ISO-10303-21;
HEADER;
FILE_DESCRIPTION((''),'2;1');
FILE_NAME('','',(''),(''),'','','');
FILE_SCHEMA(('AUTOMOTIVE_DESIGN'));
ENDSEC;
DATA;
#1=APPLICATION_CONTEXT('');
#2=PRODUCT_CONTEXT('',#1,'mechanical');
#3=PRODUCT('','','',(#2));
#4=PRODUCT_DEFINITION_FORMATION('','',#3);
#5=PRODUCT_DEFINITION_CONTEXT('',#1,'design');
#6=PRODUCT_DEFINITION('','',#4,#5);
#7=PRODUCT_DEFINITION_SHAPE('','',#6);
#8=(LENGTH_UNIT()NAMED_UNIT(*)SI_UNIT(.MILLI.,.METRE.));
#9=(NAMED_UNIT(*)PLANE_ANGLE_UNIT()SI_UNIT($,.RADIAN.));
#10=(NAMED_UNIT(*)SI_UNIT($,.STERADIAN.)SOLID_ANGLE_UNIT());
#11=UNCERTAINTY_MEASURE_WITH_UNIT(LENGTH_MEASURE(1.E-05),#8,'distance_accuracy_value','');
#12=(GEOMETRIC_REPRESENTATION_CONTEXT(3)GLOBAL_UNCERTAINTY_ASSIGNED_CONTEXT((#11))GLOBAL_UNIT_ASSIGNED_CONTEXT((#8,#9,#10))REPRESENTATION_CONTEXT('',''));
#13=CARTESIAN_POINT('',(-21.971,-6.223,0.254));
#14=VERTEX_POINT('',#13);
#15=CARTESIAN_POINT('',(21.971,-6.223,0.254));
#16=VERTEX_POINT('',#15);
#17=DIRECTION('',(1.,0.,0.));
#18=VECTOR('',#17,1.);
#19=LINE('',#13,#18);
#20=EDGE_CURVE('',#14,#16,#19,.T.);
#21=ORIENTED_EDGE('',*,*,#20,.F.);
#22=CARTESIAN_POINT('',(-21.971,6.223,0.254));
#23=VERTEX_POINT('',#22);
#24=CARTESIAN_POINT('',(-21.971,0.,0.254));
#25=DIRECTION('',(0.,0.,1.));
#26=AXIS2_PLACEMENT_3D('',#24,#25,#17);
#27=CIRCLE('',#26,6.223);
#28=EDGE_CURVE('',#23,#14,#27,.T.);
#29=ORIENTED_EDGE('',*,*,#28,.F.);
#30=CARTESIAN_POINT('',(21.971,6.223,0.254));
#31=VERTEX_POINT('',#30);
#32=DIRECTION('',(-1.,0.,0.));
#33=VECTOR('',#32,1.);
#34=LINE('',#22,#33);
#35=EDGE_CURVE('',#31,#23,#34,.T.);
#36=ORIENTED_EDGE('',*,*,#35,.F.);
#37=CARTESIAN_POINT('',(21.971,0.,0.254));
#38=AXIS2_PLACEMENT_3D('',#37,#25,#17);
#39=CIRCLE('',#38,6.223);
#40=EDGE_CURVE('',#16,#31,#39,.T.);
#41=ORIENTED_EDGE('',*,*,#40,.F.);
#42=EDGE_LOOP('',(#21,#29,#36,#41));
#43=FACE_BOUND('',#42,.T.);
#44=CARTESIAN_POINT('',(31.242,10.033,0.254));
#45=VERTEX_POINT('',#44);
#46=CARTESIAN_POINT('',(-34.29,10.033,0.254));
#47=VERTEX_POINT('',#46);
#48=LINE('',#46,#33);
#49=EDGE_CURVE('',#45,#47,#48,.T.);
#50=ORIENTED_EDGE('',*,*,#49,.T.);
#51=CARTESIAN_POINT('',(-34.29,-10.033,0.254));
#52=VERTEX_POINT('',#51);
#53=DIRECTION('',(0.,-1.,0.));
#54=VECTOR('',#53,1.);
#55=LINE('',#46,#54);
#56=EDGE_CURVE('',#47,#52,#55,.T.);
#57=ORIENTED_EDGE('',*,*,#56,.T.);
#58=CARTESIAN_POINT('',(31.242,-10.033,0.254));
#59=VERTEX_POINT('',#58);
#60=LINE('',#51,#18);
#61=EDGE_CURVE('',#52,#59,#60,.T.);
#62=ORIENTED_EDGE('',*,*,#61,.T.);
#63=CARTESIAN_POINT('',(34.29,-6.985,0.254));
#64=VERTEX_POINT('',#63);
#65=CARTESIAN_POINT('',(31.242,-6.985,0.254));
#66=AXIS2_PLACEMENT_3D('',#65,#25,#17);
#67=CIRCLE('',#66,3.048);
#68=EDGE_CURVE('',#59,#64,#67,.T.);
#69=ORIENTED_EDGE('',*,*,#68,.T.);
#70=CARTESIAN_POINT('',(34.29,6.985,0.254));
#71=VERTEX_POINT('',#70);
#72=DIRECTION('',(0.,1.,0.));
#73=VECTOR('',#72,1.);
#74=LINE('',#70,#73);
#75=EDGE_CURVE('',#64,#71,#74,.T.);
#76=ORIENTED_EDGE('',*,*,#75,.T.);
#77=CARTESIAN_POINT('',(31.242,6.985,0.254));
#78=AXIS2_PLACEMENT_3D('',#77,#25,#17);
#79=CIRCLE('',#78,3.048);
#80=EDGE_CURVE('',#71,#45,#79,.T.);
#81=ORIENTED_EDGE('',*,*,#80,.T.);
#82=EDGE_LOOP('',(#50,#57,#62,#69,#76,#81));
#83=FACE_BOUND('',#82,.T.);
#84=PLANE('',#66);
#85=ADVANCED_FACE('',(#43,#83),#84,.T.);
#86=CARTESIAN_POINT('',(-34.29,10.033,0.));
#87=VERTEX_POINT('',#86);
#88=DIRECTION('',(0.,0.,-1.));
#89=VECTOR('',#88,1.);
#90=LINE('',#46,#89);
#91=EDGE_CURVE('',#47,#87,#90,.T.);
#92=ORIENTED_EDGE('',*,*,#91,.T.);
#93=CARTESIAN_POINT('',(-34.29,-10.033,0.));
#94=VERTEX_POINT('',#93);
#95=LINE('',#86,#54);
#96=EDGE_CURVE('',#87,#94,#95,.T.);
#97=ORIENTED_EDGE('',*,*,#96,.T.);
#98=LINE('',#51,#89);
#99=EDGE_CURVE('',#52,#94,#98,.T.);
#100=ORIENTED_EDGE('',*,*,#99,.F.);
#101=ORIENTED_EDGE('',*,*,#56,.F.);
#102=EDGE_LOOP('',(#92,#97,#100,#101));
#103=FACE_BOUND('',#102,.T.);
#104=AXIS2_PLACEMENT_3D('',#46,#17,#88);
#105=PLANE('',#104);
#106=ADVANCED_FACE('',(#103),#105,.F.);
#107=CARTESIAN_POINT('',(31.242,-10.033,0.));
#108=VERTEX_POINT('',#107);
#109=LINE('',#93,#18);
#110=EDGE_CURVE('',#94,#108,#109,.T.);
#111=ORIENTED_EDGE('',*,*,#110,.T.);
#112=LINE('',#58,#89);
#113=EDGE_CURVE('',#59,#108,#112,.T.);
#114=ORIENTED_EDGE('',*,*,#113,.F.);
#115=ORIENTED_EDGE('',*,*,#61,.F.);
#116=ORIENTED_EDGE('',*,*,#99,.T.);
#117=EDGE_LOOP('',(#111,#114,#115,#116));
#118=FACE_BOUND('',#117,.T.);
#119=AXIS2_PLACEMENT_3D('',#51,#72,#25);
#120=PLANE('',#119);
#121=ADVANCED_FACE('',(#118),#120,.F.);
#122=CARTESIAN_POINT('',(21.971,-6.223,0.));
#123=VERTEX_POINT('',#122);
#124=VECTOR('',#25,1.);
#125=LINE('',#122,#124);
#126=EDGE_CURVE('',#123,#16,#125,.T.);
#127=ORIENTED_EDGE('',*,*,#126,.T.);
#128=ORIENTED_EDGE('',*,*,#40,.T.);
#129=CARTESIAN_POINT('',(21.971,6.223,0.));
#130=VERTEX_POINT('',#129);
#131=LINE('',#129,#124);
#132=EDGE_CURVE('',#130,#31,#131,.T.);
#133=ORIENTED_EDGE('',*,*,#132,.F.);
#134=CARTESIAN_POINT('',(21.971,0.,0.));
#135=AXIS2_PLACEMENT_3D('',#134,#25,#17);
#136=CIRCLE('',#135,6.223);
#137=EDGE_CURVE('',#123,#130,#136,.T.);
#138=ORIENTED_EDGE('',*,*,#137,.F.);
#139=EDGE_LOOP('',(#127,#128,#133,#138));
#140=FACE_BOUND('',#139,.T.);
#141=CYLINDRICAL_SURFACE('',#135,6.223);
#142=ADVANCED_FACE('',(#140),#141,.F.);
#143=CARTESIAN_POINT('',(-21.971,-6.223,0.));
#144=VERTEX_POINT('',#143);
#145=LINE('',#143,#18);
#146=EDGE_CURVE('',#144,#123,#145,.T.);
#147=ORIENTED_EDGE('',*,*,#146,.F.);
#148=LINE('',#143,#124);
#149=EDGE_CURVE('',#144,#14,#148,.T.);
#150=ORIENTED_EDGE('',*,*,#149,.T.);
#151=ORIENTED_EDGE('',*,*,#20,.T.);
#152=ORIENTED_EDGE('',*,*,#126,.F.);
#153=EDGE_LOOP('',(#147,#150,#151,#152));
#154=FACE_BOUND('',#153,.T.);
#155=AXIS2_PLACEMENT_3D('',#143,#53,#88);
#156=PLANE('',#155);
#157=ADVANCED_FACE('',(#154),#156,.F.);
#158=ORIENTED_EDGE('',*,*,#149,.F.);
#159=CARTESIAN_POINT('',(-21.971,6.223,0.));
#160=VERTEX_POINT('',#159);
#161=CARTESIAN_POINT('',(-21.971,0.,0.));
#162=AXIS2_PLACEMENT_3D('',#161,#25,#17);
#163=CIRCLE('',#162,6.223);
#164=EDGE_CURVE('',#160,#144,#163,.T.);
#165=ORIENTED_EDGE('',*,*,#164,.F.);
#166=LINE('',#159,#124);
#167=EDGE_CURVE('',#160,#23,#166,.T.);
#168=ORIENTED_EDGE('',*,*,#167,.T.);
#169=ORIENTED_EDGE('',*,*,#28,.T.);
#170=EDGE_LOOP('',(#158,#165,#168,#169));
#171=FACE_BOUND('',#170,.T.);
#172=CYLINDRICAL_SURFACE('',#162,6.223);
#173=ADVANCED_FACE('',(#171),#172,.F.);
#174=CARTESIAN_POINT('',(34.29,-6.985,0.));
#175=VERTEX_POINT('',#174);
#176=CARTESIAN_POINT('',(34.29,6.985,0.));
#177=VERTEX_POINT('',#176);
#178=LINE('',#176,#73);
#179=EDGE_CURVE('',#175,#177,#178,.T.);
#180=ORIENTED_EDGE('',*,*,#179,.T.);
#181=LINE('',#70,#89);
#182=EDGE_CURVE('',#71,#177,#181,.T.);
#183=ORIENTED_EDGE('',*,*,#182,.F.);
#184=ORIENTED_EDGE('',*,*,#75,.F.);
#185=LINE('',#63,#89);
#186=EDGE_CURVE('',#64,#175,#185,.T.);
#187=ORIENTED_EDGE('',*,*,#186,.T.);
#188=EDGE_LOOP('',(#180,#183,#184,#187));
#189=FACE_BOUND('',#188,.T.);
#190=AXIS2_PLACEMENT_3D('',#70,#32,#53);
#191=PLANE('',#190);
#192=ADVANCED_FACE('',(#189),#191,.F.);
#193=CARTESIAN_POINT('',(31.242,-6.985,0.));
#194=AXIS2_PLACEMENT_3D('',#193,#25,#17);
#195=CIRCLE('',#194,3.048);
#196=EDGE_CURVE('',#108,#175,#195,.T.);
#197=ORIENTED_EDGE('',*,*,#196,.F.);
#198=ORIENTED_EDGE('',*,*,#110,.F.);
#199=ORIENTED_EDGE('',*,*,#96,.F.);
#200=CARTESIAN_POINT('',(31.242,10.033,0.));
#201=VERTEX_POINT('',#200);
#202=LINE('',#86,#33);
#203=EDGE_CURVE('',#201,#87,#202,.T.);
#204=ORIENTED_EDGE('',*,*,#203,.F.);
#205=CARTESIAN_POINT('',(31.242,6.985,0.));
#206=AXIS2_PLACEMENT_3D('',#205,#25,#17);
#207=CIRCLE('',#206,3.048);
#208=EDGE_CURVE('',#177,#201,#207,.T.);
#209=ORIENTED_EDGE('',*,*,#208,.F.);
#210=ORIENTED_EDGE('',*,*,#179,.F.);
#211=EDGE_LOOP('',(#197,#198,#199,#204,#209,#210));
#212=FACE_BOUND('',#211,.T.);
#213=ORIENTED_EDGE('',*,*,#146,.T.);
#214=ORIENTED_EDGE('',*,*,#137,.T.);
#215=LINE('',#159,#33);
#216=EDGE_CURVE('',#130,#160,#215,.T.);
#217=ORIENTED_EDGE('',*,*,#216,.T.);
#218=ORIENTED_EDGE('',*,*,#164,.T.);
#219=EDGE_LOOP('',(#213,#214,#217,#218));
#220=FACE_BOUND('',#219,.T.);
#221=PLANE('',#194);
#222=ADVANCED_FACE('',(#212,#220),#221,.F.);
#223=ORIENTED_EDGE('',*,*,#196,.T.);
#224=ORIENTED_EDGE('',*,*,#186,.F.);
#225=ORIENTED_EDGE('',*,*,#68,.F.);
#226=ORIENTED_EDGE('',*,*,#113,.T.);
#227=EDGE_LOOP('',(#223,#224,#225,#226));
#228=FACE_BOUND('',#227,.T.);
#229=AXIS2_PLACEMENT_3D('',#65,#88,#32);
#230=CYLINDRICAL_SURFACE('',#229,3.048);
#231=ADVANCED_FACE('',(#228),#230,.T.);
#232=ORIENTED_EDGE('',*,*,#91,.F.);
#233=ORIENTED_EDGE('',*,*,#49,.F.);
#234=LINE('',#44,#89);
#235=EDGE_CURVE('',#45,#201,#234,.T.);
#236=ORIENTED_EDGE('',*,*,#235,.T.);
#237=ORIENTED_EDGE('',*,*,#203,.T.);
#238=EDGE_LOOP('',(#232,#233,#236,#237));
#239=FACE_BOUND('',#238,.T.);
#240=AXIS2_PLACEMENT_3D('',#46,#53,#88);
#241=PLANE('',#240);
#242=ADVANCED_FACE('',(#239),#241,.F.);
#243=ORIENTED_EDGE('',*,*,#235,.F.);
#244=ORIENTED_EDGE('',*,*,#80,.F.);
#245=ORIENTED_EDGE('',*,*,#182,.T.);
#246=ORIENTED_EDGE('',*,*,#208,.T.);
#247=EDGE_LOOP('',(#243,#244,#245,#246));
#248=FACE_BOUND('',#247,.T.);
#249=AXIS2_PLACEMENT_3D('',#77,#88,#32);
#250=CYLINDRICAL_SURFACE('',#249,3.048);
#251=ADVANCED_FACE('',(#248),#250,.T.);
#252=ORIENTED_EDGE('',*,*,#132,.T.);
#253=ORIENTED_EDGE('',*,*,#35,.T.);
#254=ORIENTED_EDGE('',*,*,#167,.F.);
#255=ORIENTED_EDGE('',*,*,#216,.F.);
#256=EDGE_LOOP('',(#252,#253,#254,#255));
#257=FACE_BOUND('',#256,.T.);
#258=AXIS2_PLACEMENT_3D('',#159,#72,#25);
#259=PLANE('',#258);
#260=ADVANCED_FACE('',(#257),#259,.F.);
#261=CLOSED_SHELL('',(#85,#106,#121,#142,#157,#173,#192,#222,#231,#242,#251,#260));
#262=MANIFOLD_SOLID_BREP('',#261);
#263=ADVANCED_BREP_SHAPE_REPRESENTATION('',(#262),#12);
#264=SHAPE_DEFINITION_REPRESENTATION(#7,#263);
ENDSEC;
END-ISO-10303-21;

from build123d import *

# Parameters (mm, degrees)
BOSS_EXTRUDE1_DEPTH = 0.254
CUT_EXTRUDE1_DEPTH  = 0.254


with BuildPart() as part:
    # Sketch1 → Boss-Extrude1 (new body)
    with BuildSketch(Plane.XY):
        with BuildLine():
            Line((-34.29, 10.033), (31.242, 10.033))
            ThreePointArc((31.242, 10.033), (33.397261469, 9.140261469), (34.29, 6.985))
            Line((34.29, 6.985), (34.29, -6.985))
            ThreePointArc((34.29, -6.985), (33.397261469, -9.140261469), (31.242, -10.033))
            Line((31.242, -10.033), (-34.29, -10.033))
            Line((-34.29, -10.033), (-34.29, 10.033))
        make_face()
    extrude(amount=BOSS_EXTRUDE1_DEPTH)

    # Sketch2 → Cut-Extrude1 (cut)
    with BuildSketch(Plane.XY.offset(0.254)):
        with BuildLine():
            Line((-21.971, 6.223), (21.971, 6.223))
            ThreePointArc((21.971, 6.223), (28.194, 0), (21.971, -6.223))
            Line((21.971, -6.223), (-21.971, -6.223))
            ThreePointArc((-21.971, -6.223), (-28.194, 0), (-21.971, 6.223))
        make_face()
    extrude(amount=-CUT_EXTRUDE1_DEPTH, mode=Mode.SUBTRACT)


solid = part.part
